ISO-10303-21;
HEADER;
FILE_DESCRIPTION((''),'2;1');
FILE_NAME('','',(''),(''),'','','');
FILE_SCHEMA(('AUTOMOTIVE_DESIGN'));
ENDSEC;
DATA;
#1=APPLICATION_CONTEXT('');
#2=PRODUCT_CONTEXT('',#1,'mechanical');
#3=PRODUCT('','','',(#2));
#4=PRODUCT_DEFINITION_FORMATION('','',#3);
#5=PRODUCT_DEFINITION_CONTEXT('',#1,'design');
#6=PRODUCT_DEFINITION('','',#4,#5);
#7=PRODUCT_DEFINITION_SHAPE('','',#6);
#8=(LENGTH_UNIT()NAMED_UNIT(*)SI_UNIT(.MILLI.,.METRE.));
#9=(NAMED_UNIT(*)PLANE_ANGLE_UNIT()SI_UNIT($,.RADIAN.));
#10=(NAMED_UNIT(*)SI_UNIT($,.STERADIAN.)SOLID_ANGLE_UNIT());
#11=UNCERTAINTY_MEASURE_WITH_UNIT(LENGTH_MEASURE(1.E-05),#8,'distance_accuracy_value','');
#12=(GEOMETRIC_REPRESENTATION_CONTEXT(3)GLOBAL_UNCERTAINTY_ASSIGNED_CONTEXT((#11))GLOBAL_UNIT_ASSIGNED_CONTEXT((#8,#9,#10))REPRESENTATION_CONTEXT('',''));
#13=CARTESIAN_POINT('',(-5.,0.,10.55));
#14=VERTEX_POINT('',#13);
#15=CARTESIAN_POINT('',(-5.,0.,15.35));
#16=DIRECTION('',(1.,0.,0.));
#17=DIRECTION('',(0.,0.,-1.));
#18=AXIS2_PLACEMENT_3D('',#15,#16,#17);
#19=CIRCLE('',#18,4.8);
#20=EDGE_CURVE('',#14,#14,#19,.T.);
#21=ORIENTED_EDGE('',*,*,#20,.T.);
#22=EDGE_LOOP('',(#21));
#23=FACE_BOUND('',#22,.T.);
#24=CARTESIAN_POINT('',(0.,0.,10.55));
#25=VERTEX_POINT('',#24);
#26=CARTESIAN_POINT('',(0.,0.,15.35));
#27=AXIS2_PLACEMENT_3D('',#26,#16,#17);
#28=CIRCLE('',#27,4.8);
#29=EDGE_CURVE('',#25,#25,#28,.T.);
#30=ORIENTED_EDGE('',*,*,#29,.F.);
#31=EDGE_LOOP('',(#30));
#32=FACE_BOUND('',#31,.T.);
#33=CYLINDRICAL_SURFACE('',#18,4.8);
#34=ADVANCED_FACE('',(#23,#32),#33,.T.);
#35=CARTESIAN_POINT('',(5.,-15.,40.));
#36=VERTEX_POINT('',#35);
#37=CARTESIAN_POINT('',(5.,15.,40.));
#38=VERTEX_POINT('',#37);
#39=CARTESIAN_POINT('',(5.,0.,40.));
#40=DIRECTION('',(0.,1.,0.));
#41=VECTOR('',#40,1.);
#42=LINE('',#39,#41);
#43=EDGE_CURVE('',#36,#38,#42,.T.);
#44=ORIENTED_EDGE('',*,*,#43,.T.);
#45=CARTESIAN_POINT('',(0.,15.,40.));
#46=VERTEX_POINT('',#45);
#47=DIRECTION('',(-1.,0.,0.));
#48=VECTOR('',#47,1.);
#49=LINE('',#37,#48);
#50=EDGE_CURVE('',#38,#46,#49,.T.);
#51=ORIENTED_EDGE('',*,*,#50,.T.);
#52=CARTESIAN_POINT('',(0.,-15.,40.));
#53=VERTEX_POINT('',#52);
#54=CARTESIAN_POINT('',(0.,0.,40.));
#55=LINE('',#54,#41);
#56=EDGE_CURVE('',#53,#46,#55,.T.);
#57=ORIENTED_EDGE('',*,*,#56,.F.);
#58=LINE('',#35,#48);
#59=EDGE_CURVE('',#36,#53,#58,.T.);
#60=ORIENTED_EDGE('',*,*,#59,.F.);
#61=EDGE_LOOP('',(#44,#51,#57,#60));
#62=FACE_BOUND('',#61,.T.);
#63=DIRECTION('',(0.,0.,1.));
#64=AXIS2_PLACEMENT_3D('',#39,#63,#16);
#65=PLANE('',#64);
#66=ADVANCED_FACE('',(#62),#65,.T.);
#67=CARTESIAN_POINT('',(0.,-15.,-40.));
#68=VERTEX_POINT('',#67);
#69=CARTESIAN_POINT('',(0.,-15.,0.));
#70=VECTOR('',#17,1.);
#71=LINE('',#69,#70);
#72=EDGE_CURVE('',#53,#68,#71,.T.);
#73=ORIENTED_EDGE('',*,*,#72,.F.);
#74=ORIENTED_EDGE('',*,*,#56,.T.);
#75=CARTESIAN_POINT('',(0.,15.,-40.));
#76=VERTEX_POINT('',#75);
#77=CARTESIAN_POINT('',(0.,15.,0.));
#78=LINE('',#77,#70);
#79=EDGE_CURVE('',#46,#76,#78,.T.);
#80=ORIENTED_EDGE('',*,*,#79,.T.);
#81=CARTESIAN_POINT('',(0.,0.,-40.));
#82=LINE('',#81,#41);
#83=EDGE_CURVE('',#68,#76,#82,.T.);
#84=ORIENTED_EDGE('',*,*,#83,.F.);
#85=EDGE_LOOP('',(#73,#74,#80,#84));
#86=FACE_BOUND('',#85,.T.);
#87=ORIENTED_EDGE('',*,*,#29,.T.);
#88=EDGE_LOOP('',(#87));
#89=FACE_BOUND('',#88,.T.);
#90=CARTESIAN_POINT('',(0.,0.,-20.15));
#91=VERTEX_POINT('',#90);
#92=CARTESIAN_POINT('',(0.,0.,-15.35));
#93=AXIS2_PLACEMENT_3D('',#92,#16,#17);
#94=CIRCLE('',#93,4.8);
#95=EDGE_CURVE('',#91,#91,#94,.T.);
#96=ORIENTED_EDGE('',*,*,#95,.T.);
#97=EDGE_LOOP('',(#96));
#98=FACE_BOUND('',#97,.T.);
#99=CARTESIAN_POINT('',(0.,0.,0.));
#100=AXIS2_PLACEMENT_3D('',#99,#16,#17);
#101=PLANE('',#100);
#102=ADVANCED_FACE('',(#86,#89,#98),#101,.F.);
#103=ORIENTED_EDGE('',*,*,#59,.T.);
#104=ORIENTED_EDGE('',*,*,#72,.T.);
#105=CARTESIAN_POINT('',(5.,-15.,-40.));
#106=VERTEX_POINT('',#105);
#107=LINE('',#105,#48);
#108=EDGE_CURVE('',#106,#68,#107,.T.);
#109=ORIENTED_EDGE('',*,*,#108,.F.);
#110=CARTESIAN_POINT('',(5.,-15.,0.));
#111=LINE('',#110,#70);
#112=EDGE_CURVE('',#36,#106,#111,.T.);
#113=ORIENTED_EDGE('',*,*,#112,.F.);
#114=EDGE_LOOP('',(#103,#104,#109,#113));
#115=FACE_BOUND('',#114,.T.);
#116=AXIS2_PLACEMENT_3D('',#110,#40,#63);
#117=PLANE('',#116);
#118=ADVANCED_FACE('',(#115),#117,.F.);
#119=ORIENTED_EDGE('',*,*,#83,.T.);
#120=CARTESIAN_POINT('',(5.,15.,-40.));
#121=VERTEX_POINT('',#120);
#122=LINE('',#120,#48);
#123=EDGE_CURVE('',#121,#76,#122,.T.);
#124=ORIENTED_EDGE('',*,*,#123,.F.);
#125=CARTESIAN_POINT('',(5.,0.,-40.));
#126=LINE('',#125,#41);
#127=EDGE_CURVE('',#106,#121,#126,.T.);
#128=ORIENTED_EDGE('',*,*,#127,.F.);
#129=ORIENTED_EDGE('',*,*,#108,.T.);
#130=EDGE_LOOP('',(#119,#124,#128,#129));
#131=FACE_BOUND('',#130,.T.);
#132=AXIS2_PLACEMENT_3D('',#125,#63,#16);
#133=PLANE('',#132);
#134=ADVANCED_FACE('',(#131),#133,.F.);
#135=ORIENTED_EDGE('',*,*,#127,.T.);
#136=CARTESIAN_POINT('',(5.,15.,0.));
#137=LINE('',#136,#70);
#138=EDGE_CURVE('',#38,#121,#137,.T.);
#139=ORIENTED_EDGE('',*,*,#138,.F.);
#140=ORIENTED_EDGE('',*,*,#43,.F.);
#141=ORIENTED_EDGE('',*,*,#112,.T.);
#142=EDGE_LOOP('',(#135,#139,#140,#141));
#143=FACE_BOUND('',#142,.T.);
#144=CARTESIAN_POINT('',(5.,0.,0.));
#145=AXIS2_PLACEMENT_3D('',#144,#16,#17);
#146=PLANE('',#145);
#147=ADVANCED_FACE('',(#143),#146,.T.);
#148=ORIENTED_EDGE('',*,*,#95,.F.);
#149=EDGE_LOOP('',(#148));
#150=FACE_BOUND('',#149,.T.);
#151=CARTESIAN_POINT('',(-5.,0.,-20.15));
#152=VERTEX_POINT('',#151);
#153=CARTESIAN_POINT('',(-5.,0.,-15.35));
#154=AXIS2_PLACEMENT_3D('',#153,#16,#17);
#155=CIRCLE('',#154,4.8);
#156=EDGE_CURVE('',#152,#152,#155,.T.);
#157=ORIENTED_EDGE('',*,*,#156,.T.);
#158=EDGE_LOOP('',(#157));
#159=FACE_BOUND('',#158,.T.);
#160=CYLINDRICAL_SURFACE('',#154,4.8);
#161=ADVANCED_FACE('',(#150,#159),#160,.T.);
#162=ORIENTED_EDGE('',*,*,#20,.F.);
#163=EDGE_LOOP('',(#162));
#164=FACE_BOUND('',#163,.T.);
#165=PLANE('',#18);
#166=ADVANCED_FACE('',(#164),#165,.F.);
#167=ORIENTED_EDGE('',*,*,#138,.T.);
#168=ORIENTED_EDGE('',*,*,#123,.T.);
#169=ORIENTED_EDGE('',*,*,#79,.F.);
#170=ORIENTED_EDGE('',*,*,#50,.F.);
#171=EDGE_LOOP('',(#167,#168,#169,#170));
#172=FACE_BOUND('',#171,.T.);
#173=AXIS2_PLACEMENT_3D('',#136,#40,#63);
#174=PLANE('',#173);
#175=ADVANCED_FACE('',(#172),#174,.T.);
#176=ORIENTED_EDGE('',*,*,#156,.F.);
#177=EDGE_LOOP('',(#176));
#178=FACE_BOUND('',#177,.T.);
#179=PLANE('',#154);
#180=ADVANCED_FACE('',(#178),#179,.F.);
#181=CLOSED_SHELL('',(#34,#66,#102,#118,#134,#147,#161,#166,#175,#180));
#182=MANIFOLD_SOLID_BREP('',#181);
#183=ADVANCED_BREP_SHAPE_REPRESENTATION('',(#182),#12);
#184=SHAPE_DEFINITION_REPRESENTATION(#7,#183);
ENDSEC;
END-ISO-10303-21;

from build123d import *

# Parameters (mm, degrees)
SKETCH1_W           = 30
SKETCH1_H           = 80
BOSS_EXTRUDE1_DEPTH = 5
SKETCH1_3_R         = 4.8
BOSS_EXTRUDE2_DEPTH = 5


with BuildPart() as part:
    # Sketch1 → Boss-Extrude1 (new body)
    with BuildSketch(Plane.YZ):
        Rectangle(SKETCH1_W, SKETCH1_H)
    extrude(amount=BOSS_EXTRUDE1_DEPTH)

    # Sketch1<3> → Boss-Extrude2 (add)
    with BuildSketch(Plane.YZ):
        with Locations((0, 15.35)):
            Circle(SKETCH1_3_R)
        with Locations((0, -15.35)):
            Circle(SKETCH1_3_R)
    extrude(amount=-BOSS_EXTRUDE2_DEPTH)


solid = part.part
